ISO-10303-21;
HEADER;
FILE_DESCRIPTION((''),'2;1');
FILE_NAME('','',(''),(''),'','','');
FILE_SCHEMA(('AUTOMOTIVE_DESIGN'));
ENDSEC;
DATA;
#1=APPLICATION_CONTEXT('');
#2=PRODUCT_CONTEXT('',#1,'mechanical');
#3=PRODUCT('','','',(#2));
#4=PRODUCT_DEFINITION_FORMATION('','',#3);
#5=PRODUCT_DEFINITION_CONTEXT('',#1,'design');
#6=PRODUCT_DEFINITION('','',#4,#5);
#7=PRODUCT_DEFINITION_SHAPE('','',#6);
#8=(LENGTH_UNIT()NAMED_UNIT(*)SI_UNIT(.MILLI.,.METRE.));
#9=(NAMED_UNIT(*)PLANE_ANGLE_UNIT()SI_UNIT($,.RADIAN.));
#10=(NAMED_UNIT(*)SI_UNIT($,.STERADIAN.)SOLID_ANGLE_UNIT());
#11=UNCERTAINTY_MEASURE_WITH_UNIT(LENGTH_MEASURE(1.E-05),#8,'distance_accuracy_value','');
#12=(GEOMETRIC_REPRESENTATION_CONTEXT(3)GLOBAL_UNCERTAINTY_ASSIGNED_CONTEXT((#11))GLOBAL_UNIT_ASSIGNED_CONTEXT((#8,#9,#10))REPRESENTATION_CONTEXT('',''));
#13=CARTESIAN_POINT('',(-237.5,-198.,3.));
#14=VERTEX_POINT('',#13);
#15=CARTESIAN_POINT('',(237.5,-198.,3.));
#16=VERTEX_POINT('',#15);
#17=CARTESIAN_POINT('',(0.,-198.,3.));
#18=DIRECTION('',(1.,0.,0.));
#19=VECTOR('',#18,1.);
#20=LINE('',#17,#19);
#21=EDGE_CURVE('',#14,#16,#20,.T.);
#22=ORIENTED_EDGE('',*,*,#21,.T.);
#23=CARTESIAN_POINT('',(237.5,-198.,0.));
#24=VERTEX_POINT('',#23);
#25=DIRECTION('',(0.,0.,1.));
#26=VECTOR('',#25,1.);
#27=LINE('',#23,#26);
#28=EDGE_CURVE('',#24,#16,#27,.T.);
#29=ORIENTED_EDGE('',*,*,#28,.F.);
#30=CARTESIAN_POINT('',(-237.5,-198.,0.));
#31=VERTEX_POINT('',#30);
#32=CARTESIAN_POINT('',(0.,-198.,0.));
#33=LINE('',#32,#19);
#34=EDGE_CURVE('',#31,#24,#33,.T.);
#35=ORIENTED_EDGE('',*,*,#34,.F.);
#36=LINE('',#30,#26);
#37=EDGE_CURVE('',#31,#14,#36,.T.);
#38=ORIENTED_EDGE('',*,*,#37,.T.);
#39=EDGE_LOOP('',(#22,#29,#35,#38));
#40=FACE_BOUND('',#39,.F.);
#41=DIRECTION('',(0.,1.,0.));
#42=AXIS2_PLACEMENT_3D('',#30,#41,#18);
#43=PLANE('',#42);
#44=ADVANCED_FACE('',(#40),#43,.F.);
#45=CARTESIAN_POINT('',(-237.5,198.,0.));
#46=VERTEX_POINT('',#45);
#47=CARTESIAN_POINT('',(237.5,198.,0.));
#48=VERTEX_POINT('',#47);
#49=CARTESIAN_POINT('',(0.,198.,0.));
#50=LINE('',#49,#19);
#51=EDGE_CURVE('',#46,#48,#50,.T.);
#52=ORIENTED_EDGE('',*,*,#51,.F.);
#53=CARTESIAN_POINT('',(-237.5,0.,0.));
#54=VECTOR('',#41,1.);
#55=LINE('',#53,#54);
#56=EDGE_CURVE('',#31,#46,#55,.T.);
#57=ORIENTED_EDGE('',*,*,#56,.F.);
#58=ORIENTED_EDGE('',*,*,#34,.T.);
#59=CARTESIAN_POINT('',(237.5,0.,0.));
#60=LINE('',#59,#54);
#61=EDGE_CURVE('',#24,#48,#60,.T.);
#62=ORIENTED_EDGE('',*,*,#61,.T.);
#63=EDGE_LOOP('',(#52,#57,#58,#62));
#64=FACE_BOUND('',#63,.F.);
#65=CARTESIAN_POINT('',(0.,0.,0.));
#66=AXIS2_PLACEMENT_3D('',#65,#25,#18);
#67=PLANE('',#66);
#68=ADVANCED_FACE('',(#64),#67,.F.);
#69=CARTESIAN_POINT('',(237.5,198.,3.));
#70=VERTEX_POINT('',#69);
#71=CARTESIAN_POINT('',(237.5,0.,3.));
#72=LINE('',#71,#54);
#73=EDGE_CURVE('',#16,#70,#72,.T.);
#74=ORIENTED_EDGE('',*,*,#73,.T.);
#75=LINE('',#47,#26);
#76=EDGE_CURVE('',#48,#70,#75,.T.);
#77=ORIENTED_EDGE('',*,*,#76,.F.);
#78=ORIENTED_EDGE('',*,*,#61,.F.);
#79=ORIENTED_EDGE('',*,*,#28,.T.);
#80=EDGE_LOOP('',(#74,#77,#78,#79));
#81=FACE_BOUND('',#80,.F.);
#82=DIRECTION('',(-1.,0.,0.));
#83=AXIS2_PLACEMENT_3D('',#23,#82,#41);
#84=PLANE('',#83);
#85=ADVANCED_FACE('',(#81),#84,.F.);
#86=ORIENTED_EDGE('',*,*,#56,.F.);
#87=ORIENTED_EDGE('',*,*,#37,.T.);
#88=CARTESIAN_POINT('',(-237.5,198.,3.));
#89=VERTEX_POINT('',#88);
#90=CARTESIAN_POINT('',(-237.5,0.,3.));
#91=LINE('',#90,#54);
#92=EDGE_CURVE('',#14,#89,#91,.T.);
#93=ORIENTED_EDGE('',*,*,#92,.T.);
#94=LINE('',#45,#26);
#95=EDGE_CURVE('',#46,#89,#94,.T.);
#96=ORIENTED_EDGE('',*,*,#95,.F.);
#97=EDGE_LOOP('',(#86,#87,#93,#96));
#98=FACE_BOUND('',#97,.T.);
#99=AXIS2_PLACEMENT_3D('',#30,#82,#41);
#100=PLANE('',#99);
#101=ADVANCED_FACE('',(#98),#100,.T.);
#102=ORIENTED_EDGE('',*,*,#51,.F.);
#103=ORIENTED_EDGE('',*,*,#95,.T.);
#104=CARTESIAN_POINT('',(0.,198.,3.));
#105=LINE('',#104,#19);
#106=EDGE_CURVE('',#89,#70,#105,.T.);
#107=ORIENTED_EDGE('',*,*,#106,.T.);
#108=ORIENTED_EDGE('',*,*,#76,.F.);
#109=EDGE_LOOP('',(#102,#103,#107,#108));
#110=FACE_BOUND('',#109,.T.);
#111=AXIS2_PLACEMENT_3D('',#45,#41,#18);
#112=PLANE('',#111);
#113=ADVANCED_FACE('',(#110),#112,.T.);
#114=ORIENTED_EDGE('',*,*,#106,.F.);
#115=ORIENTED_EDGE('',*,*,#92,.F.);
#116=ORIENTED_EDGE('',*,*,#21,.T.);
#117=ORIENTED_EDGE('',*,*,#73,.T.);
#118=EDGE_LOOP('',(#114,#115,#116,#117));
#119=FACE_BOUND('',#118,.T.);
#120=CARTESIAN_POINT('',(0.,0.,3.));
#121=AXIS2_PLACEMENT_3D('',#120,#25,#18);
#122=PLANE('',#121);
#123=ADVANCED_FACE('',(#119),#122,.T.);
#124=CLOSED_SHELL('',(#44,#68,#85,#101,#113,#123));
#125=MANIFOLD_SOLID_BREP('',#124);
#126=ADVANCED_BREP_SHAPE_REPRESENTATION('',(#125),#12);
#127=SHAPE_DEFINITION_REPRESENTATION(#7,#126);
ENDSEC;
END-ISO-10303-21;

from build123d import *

# Parameters (mm, degrees)
SKETCH1_W           = 475
SKETCH1_H           = 396
BOSS_EXTRUDE1_DEPTH = 3


with BuildPart() as part:
    # Sketch1 → Boss-Extrude1 (new body)
    with BuildSketch(Plane.XY):
        Rectangle(SKETCH1_W, SKETCH1_H)
    extrude(amount=BOSS_EXTRUDE1_DEPTH)


solid = part.part
